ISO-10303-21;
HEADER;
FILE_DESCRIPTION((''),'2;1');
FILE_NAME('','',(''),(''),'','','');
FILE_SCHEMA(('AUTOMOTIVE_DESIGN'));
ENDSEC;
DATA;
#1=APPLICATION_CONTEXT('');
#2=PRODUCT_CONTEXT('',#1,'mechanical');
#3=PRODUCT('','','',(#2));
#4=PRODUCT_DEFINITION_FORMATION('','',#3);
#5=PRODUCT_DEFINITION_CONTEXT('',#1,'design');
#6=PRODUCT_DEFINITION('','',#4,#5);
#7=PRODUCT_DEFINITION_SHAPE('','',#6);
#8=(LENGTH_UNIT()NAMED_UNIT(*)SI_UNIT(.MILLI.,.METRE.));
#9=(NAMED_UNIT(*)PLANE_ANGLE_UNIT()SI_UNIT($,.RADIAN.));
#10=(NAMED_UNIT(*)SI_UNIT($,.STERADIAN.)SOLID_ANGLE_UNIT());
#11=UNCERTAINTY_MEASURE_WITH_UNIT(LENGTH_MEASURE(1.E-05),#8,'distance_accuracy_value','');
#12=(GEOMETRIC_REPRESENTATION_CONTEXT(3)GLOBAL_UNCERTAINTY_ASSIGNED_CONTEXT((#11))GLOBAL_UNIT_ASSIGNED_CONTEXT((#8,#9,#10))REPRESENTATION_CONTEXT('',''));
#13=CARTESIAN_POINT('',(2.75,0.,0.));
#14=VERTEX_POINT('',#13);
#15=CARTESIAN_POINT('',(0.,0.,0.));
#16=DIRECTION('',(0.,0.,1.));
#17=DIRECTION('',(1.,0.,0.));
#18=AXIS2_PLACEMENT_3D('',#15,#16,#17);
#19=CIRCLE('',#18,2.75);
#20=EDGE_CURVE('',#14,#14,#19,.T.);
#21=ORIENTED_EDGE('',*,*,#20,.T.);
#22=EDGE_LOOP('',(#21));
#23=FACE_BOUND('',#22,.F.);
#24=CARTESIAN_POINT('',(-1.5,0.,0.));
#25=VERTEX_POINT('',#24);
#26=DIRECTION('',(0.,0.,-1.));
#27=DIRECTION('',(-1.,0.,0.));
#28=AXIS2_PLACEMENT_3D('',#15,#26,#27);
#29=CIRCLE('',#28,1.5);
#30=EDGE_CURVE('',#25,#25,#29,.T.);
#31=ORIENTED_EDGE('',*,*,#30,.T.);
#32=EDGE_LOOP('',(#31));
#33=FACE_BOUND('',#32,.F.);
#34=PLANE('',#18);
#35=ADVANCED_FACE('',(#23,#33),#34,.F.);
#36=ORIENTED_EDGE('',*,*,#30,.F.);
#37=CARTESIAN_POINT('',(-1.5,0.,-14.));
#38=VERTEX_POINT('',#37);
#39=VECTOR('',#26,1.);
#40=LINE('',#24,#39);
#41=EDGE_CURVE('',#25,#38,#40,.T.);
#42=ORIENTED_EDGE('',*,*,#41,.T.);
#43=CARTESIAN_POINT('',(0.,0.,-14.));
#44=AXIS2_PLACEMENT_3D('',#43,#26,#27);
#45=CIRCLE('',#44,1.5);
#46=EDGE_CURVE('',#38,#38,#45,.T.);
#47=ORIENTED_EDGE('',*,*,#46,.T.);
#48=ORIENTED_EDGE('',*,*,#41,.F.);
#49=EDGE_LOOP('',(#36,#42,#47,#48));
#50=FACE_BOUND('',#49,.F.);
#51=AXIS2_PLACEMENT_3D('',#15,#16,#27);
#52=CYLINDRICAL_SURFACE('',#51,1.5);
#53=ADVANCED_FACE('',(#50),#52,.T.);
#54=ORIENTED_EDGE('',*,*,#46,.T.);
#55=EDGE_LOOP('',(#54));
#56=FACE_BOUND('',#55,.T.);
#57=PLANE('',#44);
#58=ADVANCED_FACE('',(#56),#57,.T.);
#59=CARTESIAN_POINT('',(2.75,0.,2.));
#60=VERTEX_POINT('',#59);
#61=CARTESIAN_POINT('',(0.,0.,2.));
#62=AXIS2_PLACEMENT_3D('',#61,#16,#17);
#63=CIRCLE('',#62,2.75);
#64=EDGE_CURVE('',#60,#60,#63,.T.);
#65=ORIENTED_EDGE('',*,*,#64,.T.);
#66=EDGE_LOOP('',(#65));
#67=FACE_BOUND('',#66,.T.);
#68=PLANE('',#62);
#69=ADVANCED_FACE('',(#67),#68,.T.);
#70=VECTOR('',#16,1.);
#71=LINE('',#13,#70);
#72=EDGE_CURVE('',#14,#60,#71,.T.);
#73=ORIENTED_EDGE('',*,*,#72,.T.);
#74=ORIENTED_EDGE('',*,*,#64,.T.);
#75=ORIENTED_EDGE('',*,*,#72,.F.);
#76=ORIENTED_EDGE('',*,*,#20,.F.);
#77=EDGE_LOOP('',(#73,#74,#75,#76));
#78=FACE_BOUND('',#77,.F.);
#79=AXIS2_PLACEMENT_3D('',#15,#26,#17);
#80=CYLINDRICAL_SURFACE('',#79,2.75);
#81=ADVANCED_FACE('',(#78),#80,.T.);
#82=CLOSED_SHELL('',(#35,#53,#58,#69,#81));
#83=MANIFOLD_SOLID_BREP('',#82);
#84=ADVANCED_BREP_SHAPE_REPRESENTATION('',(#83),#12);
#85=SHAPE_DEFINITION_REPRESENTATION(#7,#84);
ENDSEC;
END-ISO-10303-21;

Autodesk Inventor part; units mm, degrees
ref_plane "YZ Plane" through (0, 0, 0) normal (1, 0, 0) x (0, 1, 0)
ref_plane "XZ Plane" through (0, 0, 0) normal (0, 1, 0) x (-1, 0, 0)
ref_plane "XY Plane" through (0, 0, 0) normal (0, 0, 1) x (1, 0, 0)
sketch "スケッチ1" plane through (0, 0, 0) normal (0, 0, 1) x (1, 0, 0)
  circle A0 centre (0, 0) radius 2.75
  dimension "d0" = 5.5
extrude "押し出し1" add sketch "スケッチ1" along normal blind 2
sketch "スケッチ2" plane through (0, 0, 0) normal (0, 0, -1) x (-1, 0, 0)
  circle A0 centre (0, 0) radius 1.5
  dimension "d3" = 3
extrude "押し出し2" add sketch "スケッチ2" along normal blind 14
thread "ねじ1" size "M3x0.5" class "6g" standard "ANSI Metric M Profile" full length
properties part number "ネジローヘッドm3.14" material "鋼、高強度、低合金"
